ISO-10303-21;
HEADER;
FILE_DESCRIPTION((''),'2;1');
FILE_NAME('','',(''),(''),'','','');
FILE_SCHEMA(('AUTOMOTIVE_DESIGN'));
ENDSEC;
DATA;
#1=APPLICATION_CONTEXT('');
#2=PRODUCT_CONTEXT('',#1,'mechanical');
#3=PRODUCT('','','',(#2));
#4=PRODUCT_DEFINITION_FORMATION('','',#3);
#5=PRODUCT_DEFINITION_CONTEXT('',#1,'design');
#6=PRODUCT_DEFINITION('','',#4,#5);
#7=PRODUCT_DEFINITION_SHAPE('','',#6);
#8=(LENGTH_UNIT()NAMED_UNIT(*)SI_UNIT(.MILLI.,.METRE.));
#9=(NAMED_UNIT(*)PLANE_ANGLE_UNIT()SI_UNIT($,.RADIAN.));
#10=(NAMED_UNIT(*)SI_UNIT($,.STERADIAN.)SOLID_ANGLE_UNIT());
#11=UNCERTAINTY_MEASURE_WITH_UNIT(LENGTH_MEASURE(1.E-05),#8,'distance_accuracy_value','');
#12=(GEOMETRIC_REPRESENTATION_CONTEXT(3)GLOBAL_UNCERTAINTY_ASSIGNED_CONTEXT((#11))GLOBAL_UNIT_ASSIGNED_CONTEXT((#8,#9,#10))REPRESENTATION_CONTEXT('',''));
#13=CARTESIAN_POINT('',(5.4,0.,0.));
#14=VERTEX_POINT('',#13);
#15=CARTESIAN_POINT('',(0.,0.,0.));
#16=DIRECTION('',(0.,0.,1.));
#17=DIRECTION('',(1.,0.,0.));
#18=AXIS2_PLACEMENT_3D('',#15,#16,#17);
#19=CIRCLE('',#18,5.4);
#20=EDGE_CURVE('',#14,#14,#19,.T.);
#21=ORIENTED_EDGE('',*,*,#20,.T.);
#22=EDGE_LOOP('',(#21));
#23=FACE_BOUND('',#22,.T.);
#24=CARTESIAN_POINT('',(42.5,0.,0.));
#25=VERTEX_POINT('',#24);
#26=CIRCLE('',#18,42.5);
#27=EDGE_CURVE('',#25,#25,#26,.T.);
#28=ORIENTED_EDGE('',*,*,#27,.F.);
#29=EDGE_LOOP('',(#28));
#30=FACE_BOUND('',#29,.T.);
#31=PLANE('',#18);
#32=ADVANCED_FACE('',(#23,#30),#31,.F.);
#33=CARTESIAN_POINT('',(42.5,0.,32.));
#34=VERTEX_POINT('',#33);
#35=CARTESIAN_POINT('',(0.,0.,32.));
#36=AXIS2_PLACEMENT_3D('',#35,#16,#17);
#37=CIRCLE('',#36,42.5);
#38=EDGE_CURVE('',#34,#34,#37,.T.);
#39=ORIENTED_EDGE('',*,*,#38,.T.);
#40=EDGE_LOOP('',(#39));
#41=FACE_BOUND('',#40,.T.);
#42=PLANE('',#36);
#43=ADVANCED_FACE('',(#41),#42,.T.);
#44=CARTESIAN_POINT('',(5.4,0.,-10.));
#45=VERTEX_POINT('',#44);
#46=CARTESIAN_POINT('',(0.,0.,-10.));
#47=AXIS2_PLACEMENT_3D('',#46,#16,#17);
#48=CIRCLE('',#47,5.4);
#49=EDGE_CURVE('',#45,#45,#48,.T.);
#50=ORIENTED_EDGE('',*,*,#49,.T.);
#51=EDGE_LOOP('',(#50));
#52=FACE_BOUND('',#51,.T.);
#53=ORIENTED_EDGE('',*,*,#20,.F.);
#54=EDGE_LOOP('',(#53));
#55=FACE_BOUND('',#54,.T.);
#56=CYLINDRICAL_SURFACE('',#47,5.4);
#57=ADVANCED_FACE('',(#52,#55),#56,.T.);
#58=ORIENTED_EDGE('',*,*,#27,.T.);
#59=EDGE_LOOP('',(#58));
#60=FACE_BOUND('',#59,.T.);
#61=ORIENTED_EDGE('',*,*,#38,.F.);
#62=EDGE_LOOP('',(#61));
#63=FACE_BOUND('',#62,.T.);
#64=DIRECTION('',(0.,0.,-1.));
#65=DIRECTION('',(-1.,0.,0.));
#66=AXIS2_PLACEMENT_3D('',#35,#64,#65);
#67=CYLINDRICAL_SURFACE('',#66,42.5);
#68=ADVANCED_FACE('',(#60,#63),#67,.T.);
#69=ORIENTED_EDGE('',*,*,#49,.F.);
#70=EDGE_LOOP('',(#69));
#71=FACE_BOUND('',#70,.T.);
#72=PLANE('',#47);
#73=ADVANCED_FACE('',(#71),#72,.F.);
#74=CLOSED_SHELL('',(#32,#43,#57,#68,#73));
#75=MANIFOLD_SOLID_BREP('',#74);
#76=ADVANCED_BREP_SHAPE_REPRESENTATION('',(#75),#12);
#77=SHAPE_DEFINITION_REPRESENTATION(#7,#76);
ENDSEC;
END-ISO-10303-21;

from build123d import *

# Parameters (mm, degrees)
SKETCH_1_R      = 42.5
EXTRUDE_1_DEPTH = 32
SKETCH_1_3_R    = 5.4
EXTRUDE_2_DEPTH = 10


with BuildPart() as part:
    # 草图1 → 凸台-拉伸1 (new body)
    with BuildSketch(Plane.XY):
        Circle(SKETCH_1_R)
    extrude(amount=EXTRUDE_1_DEPTH)

    # 草图1<3> → 凸台-拉伸2 (add)
    with BuildSketch(Plane.XY):
        Circle(SKETCH_1_3_R)
    extrude(amount=-EXTRUDE_2_DEPTH)


solid = part.part
